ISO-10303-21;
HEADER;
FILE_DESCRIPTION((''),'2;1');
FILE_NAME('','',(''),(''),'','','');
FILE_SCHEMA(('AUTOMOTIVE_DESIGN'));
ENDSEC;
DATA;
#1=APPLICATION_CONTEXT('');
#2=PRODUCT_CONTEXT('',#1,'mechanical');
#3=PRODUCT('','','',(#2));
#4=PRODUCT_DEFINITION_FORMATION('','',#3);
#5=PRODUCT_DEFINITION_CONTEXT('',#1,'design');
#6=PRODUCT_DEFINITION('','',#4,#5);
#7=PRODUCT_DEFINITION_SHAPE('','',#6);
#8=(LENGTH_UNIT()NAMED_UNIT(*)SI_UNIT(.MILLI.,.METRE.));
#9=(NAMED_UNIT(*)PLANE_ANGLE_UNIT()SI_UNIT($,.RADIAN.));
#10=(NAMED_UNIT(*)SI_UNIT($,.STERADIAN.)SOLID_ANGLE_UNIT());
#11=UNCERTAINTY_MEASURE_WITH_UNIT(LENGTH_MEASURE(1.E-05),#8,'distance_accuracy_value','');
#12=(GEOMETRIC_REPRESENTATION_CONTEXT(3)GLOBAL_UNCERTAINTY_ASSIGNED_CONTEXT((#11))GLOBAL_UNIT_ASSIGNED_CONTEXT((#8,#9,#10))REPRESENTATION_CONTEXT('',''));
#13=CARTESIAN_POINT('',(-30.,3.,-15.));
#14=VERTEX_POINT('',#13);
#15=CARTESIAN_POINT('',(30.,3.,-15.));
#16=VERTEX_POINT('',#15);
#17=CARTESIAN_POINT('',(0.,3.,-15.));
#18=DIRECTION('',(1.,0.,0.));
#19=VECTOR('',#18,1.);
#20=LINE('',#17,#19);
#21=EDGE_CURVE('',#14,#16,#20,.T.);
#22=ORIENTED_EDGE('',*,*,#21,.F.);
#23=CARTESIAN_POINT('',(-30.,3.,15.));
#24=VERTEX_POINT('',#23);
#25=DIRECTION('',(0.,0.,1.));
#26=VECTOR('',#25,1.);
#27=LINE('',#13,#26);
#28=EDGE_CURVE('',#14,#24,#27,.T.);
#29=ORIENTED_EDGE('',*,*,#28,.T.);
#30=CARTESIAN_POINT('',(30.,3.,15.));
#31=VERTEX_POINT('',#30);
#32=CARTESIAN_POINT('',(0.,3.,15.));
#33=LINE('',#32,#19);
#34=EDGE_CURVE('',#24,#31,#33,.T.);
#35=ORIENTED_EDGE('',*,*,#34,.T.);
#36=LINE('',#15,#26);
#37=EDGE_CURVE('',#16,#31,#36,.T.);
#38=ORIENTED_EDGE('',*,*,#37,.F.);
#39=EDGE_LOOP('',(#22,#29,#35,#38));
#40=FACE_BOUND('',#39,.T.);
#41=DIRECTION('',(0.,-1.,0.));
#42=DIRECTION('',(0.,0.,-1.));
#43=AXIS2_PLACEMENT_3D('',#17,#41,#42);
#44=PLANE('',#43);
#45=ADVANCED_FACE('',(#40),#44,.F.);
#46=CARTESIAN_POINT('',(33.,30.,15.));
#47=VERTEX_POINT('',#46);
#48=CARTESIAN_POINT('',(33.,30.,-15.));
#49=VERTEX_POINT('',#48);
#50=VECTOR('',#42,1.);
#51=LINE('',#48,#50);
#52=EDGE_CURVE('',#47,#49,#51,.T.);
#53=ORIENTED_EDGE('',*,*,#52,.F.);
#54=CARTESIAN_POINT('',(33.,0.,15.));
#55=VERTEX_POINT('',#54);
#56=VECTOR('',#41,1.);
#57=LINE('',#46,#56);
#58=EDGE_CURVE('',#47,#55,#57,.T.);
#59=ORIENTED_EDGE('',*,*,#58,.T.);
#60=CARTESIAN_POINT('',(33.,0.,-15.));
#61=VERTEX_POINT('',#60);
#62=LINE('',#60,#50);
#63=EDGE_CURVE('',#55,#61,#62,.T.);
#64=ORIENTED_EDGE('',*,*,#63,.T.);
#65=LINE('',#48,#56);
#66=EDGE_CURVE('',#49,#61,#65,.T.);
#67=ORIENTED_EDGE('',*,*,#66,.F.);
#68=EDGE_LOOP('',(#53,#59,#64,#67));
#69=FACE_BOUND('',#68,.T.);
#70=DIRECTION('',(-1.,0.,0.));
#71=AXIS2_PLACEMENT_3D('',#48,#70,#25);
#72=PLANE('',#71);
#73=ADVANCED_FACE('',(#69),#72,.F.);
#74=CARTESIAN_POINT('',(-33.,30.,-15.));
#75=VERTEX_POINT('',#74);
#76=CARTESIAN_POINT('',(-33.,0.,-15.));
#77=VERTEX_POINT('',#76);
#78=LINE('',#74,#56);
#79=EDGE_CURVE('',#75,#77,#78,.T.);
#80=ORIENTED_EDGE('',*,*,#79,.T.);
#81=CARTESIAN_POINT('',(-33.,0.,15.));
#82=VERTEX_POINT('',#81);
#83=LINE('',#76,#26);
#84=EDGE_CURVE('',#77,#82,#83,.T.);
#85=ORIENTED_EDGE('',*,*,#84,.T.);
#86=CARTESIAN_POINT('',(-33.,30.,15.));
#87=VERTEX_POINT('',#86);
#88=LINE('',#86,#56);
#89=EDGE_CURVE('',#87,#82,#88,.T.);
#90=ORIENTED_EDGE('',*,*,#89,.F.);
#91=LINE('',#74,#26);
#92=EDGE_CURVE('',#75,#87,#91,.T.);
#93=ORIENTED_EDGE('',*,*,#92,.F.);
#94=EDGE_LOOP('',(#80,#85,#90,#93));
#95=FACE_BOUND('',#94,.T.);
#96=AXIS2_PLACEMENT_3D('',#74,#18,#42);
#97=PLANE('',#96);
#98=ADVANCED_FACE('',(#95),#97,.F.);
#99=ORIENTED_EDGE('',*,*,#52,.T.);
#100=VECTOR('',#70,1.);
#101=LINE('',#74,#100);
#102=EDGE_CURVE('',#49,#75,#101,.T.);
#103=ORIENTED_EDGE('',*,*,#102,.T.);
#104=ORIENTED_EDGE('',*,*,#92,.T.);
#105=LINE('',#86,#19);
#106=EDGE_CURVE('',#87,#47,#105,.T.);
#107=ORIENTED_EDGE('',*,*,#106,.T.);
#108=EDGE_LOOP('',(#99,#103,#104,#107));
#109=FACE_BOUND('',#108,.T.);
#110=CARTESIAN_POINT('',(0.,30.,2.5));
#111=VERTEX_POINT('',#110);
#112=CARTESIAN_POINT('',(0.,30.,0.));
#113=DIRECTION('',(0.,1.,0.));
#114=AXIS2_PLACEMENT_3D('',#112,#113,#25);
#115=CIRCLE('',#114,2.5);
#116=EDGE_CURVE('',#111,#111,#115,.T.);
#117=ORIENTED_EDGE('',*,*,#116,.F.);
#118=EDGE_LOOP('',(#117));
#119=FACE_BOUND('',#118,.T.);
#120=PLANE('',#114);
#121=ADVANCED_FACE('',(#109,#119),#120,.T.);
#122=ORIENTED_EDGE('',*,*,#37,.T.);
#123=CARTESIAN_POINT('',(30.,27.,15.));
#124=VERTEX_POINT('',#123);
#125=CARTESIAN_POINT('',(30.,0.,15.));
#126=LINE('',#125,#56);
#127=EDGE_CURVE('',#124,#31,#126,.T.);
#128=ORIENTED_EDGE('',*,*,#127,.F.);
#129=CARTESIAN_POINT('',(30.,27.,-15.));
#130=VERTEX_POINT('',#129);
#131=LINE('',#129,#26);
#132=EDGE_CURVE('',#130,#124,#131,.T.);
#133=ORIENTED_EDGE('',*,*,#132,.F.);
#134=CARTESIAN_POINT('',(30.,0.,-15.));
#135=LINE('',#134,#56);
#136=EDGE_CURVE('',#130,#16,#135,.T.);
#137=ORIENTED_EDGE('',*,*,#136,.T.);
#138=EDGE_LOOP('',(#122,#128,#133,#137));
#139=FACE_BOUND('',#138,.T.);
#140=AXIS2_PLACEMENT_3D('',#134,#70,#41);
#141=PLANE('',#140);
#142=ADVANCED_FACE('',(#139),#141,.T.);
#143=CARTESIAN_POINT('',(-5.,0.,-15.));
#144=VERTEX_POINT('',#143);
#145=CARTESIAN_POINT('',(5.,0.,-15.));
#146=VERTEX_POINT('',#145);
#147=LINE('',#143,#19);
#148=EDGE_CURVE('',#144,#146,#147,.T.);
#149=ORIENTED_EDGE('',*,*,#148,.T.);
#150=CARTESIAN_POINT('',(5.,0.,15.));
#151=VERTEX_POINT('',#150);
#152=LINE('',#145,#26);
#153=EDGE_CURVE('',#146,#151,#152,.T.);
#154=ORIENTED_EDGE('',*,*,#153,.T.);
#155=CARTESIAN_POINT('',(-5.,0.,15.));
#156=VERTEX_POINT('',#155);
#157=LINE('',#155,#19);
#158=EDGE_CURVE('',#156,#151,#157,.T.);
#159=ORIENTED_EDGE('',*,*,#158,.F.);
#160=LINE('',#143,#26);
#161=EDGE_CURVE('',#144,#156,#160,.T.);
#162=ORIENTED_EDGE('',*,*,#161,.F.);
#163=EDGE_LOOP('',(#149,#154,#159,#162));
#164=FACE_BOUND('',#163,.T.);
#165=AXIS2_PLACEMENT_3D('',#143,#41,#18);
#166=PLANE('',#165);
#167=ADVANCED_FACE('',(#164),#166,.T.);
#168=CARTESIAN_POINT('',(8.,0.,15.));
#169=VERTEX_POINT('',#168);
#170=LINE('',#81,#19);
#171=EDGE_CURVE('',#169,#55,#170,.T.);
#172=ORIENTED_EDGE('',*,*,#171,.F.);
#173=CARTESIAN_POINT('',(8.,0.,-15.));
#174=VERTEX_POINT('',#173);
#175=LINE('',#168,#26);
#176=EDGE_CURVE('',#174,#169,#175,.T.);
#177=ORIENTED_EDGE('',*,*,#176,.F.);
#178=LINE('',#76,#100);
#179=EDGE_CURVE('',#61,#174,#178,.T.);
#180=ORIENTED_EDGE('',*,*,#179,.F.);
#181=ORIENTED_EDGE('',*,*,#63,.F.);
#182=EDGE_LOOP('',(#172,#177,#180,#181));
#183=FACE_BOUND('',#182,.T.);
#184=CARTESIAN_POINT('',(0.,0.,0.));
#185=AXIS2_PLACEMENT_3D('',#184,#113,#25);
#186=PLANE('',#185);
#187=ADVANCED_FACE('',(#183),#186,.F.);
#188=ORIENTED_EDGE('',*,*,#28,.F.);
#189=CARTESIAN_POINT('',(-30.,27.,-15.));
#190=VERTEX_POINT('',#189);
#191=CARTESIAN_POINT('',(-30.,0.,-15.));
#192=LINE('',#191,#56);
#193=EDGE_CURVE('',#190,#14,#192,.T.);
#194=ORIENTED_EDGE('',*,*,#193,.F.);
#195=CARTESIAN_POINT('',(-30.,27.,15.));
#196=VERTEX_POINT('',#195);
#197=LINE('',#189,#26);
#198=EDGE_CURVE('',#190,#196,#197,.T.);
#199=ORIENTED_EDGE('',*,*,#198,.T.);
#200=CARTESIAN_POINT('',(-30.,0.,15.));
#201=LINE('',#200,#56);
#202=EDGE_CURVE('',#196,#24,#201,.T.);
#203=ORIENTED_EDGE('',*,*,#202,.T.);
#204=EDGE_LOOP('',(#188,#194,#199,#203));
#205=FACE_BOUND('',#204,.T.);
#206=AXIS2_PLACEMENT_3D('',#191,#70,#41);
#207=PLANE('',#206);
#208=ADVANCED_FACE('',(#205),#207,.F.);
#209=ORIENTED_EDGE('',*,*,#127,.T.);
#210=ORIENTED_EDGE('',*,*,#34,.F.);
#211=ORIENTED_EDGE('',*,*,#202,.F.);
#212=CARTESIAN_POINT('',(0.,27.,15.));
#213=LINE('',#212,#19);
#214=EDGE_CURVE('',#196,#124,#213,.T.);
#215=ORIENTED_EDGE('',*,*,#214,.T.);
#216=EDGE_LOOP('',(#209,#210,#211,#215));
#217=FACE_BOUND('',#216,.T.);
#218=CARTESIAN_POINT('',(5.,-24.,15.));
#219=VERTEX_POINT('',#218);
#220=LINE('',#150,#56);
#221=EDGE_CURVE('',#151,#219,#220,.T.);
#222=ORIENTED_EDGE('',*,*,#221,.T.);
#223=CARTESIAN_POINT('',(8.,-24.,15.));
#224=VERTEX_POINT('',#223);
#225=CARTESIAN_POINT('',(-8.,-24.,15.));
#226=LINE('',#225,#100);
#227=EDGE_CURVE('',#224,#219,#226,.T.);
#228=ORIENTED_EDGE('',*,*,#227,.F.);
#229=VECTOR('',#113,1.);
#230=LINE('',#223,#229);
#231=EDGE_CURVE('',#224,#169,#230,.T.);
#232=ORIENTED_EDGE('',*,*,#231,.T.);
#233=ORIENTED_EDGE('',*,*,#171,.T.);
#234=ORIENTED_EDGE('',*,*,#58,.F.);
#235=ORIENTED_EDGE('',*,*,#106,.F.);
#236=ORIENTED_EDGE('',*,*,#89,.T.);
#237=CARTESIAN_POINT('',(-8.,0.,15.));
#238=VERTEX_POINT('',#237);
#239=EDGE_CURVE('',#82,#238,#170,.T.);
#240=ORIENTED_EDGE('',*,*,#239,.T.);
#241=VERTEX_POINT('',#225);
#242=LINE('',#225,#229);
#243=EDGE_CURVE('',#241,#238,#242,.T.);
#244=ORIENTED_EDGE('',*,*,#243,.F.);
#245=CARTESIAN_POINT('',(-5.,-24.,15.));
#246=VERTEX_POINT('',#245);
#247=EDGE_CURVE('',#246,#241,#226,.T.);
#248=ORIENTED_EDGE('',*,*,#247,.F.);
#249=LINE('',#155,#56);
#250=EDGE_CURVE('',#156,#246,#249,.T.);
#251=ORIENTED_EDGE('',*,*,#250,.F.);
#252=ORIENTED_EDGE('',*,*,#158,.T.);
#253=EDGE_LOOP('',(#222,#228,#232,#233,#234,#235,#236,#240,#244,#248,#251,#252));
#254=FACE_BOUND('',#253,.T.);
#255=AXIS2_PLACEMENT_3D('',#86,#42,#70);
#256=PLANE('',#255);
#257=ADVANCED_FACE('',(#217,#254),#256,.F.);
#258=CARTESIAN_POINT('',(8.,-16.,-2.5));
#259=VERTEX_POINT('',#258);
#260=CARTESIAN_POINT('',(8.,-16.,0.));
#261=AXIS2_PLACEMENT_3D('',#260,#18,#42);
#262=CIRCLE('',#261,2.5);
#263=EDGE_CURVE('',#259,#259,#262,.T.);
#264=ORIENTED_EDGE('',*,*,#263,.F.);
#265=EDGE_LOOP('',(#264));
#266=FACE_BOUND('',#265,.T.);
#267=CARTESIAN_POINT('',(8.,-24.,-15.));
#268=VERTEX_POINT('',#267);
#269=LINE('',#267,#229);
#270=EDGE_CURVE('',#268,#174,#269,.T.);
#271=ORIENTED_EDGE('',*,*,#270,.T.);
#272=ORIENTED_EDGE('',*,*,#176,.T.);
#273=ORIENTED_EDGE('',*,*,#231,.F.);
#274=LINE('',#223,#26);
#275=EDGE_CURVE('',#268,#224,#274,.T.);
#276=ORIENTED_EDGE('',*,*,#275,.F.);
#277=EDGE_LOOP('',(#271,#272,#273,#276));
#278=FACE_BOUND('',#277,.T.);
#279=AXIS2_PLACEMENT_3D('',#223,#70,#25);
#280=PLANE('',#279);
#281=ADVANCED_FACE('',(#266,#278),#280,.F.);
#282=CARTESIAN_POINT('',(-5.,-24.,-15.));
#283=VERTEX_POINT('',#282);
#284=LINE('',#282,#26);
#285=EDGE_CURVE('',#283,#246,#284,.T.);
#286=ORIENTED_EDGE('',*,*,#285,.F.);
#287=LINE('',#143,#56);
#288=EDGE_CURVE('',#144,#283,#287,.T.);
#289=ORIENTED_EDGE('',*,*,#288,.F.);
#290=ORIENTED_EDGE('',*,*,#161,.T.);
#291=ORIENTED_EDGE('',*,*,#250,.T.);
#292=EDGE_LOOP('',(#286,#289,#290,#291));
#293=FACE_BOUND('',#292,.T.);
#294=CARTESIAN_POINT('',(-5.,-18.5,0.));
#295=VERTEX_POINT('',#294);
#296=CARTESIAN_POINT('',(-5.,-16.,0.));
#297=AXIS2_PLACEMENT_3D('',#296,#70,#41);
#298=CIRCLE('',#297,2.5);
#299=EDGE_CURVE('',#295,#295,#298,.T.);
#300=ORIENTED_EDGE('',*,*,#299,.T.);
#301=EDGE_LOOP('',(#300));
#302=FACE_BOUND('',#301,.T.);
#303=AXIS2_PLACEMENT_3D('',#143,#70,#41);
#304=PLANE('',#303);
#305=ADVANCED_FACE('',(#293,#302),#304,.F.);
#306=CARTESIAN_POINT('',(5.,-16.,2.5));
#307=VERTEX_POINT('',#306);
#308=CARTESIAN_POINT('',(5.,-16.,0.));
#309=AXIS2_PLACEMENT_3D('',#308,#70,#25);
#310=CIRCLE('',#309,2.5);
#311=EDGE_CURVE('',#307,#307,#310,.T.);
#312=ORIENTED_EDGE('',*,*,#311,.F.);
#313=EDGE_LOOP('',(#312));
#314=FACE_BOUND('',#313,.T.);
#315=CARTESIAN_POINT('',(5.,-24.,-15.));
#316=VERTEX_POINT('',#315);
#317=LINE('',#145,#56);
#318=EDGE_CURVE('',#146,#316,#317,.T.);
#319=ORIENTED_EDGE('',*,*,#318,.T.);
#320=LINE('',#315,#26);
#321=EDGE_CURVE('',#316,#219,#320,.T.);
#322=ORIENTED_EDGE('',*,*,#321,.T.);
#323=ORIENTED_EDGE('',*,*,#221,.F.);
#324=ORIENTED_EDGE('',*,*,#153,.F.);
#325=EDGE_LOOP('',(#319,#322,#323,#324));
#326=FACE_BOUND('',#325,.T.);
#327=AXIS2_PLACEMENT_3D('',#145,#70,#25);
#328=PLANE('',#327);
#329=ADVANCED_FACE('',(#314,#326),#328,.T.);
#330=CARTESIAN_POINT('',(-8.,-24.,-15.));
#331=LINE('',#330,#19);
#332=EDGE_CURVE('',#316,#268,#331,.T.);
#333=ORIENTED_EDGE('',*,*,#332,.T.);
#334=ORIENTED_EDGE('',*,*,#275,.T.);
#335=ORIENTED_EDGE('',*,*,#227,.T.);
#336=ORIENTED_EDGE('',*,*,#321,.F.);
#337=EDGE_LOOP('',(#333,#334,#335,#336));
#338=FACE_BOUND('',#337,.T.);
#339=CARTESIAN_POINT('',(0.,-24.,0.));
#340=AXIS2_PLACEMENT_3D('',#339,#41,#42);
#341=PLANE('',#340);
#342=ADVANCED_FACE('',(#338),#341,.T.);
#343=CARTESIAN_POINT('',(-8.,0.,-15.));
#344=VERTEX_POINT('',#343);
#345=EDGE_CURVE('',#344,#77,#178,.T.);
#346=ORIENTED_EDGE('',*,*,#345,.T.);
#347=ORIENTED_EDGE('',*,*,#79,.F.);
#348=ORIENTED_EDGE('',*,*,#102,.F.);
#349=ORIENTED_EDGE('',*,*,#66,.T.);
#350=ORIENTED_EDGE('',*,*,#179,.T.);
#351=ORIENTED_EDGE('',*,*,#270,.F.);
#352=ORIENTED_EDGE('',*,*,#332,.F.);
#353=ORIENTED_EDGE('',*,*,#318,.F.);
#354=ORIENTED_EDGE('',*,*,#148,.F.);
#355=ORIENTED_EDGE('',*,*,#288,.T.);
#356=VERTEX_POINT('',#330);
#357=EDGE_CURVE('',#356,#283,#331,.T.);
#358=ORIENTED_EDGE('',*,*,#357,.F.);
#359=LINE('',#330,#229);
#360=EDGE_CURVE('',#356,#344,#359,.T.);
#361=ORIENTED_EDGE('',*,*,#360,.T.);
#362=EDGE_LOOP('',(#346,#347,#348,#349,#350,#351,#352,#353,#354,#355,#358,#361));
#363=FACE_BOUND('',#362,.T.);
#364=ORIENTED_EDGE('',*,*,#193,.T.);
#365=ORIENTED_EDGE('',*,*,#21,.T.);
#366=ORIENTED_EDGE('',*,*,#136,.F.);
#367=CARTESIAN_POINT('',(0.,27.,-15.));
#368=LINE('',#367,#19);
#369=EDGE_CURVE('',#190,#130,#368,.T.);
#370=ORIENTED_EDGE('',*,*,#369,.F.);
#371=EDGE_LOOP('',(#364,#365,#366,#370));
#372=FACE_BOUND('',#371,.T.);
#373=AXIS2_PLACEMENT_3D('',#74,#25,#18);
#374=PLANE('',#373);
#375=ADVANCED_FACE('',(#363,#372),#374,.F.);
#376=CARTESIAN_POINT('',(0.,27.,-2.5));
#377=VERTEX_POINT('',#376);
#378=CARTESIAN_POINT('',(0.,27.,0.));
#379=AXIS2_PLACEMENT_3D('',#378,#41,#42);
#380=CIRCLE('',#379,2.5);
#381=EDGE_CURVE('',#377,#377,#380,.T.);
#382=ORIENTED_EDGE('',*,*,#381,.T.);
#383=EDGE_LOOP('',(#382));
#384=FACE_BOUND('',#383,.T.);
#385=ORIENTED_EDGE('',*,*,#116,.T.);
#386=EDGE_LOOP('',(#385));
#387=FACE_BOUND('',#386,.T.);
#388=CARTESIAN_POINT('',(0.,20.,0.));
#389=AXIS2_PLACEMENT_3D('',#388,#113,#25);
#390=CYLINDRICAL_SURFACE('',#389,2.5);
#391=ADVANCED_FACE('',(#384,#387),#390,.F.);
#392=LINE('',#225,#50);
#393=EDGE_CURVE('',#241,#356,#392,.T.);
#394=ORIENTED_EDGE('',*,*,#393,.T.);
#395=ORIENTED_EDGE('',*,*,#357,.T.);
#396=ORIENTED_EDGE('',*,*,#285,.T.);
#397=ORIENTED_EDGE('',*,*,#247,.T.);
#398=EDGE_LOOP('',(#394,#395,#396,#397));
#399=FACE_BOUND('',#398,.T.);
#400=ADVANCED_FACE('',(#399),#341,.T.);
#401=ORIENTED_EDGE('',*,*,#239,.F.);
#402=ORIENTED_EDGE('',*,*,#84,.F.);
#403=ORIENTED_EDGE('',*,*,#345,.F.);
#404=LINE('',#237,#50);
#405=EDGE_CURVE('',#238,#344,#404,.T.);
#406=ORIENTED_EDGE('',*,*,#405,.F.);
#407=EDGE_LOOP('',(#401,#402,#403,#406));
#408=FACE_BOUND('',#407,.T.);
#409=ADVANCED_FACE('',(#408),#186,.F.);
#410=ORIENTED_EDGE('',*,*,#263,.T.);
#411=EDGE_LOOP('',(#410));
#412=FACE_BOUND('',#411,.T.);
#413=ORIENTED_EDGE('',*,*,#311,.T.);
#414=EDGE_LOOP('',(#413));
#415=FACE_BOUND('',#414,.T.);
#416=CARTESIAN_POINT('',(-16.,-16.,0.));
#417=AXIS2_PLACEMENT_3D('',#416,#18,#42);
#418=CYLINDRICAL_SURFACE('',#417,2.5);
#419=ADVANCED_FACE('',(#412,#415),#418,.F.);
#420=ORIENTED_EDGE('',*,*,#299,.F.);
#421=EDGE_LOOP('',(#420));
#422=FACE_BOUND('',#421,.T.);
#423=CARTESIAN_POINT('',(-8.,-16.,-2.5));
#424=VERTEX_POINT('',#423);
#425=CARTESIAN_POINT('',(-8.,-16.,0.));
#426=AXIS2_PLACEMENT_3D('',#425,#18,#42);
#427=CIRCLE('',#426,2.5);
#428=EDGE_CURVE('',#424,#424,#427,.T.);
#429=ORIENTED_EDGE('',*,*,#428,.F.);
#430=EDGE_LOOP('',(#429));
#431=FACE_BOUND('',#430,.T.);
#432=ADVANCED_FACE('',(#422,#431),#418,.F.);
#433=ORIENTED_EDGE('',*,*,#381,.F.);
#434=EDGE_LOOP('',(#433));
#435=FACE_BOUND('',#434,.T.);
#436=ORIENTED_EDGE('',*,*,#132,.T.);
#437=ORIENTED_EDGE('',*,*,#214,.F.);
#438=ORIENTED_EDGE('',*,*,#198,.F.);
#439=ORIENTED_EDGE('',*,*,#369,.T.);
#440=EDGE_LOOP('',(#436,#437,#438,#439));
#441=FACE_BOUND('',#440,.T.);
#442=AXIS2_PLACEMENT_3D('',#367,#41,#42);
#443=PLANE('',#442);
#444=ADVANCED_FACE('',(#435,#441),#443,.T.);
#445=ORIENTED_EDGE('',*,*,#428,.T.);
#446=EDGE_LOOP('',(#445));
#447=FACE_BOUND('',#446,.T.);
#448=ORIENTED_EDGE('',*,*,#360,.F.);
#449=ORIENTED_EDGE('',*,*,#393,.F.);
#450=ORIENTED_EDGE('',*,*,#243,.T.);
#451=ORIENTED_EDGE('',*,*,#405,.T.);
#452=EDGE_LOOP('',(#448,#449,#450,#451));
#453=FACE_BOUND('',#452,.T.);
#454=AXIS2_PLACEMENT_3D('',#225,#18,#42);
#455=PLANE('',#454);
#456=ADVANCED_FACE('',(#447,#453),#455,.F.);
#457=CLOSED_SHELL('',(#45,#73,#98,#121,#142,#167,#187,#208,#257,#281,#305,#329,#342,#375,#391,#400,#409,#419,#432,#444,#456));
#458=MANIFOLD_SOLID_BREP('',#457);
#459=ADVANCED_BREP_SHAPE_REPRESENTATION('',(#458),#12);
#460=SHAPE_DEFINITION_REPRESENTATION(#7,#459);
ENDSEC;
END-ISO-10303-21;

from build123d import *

# Parameters (mm, degrees)
SKETCH1_W           = 66
SKETCH1_H           = 30
BOSS_EXTRUDE1_DEPTH = 30
SKETCH2_W           = 30
SKETCH2_H           = 24
CUT_EXTRUDE1_DEPTH  = 54.749418602
SKETCH3_R           = 2.5
CUT_EXTRUDE2_DEPTH  = 10
SKETCH4_W           = 16
SKETCH4_H           = 30
BOSS_EXTRUDE2_DEPTH = 24
SKETCH5_W           = 10
SKETCH5_H           = 24
CUT_EXTRUDE3_DEPTH  = 54.749418602
SKETCH6_R           = 2.5
CUT_EXTRUDE4_DEPTH  = 24


with BuildPart() as part:
    # Sketch1 → Boss-Extrude1 (new body)
    with BuildSketch(Plane(origin=(0, 0, 0), x_dir=(1, 0, 0), z_dir=(0, 1, 0))):
        Rectangle(SKETCH1_W, SKETCH1_H)
    extrude(amount=BOSS_EXTRUDE1_DEPTH)

    # Sketch2 → Cut-Extrude1 (cut, through all)
    with BuildSketch(Plane.XY.offset(15)):
        with Locations((15, 15)):
            Rectangle(SKETCH2_W, SKETCH2_H)
        with Locations((-15, 15)):
            Rectangle(SKETCH2_W, SKETCH2_H)
    extrude(amount=-CUT_EXTRUDE1_DEPTH, mode=Mode.SUBTRACT)

    # Sketch3 → Cut-Extrude2 (cut)
    with BuildSketch(Plane(origin=(0, 30, 0), x_dir=(1, 0, 0), z_dir=(0, 1, 0))):
        with Locations(Location((0, 0, 0), (0, 0, 270))):
            Circle(SKETCH3_R)
    extrude(amount=-CUT_EXTRUDE2_DEPTH, mode=Mode.SUBTRACT)

    # Sketch4 → Boss-Extrude2 (add)
    with BuildSketch(Plane.XZ):
        Rectangle(SKETCH4_W, SKETCH4_H)
    extrude(amount=BOSS_EXTRUDE2_DEPTH)

    # Sketch5 → Cut-Extrude3 (cut, through all)
    with BuildSketch(Plane.XY.offset(15)):
        with Locations((0, -12)):
            Rectangle(SKETCH5_W, SKETCH5_H)
    extrude(amount=-CUT_EXTRUDE3_DEPTH, mode=Mode.SUBTRACT)

    # Sketch6 → Cut-Extrude4 (cut)
    with BuildSketch(Plane(origin=(8, 0, 0), x_dir=(0, 0, -1), z_dir=(1, 0, 0))):
        with Locations((0, -16)):
            Circle(SKETCH6_R)
    extrude(amount=-CUT_EXTRUDE4_DEPTH, mode=Mode.SUBTRACT)


solid = part.part
